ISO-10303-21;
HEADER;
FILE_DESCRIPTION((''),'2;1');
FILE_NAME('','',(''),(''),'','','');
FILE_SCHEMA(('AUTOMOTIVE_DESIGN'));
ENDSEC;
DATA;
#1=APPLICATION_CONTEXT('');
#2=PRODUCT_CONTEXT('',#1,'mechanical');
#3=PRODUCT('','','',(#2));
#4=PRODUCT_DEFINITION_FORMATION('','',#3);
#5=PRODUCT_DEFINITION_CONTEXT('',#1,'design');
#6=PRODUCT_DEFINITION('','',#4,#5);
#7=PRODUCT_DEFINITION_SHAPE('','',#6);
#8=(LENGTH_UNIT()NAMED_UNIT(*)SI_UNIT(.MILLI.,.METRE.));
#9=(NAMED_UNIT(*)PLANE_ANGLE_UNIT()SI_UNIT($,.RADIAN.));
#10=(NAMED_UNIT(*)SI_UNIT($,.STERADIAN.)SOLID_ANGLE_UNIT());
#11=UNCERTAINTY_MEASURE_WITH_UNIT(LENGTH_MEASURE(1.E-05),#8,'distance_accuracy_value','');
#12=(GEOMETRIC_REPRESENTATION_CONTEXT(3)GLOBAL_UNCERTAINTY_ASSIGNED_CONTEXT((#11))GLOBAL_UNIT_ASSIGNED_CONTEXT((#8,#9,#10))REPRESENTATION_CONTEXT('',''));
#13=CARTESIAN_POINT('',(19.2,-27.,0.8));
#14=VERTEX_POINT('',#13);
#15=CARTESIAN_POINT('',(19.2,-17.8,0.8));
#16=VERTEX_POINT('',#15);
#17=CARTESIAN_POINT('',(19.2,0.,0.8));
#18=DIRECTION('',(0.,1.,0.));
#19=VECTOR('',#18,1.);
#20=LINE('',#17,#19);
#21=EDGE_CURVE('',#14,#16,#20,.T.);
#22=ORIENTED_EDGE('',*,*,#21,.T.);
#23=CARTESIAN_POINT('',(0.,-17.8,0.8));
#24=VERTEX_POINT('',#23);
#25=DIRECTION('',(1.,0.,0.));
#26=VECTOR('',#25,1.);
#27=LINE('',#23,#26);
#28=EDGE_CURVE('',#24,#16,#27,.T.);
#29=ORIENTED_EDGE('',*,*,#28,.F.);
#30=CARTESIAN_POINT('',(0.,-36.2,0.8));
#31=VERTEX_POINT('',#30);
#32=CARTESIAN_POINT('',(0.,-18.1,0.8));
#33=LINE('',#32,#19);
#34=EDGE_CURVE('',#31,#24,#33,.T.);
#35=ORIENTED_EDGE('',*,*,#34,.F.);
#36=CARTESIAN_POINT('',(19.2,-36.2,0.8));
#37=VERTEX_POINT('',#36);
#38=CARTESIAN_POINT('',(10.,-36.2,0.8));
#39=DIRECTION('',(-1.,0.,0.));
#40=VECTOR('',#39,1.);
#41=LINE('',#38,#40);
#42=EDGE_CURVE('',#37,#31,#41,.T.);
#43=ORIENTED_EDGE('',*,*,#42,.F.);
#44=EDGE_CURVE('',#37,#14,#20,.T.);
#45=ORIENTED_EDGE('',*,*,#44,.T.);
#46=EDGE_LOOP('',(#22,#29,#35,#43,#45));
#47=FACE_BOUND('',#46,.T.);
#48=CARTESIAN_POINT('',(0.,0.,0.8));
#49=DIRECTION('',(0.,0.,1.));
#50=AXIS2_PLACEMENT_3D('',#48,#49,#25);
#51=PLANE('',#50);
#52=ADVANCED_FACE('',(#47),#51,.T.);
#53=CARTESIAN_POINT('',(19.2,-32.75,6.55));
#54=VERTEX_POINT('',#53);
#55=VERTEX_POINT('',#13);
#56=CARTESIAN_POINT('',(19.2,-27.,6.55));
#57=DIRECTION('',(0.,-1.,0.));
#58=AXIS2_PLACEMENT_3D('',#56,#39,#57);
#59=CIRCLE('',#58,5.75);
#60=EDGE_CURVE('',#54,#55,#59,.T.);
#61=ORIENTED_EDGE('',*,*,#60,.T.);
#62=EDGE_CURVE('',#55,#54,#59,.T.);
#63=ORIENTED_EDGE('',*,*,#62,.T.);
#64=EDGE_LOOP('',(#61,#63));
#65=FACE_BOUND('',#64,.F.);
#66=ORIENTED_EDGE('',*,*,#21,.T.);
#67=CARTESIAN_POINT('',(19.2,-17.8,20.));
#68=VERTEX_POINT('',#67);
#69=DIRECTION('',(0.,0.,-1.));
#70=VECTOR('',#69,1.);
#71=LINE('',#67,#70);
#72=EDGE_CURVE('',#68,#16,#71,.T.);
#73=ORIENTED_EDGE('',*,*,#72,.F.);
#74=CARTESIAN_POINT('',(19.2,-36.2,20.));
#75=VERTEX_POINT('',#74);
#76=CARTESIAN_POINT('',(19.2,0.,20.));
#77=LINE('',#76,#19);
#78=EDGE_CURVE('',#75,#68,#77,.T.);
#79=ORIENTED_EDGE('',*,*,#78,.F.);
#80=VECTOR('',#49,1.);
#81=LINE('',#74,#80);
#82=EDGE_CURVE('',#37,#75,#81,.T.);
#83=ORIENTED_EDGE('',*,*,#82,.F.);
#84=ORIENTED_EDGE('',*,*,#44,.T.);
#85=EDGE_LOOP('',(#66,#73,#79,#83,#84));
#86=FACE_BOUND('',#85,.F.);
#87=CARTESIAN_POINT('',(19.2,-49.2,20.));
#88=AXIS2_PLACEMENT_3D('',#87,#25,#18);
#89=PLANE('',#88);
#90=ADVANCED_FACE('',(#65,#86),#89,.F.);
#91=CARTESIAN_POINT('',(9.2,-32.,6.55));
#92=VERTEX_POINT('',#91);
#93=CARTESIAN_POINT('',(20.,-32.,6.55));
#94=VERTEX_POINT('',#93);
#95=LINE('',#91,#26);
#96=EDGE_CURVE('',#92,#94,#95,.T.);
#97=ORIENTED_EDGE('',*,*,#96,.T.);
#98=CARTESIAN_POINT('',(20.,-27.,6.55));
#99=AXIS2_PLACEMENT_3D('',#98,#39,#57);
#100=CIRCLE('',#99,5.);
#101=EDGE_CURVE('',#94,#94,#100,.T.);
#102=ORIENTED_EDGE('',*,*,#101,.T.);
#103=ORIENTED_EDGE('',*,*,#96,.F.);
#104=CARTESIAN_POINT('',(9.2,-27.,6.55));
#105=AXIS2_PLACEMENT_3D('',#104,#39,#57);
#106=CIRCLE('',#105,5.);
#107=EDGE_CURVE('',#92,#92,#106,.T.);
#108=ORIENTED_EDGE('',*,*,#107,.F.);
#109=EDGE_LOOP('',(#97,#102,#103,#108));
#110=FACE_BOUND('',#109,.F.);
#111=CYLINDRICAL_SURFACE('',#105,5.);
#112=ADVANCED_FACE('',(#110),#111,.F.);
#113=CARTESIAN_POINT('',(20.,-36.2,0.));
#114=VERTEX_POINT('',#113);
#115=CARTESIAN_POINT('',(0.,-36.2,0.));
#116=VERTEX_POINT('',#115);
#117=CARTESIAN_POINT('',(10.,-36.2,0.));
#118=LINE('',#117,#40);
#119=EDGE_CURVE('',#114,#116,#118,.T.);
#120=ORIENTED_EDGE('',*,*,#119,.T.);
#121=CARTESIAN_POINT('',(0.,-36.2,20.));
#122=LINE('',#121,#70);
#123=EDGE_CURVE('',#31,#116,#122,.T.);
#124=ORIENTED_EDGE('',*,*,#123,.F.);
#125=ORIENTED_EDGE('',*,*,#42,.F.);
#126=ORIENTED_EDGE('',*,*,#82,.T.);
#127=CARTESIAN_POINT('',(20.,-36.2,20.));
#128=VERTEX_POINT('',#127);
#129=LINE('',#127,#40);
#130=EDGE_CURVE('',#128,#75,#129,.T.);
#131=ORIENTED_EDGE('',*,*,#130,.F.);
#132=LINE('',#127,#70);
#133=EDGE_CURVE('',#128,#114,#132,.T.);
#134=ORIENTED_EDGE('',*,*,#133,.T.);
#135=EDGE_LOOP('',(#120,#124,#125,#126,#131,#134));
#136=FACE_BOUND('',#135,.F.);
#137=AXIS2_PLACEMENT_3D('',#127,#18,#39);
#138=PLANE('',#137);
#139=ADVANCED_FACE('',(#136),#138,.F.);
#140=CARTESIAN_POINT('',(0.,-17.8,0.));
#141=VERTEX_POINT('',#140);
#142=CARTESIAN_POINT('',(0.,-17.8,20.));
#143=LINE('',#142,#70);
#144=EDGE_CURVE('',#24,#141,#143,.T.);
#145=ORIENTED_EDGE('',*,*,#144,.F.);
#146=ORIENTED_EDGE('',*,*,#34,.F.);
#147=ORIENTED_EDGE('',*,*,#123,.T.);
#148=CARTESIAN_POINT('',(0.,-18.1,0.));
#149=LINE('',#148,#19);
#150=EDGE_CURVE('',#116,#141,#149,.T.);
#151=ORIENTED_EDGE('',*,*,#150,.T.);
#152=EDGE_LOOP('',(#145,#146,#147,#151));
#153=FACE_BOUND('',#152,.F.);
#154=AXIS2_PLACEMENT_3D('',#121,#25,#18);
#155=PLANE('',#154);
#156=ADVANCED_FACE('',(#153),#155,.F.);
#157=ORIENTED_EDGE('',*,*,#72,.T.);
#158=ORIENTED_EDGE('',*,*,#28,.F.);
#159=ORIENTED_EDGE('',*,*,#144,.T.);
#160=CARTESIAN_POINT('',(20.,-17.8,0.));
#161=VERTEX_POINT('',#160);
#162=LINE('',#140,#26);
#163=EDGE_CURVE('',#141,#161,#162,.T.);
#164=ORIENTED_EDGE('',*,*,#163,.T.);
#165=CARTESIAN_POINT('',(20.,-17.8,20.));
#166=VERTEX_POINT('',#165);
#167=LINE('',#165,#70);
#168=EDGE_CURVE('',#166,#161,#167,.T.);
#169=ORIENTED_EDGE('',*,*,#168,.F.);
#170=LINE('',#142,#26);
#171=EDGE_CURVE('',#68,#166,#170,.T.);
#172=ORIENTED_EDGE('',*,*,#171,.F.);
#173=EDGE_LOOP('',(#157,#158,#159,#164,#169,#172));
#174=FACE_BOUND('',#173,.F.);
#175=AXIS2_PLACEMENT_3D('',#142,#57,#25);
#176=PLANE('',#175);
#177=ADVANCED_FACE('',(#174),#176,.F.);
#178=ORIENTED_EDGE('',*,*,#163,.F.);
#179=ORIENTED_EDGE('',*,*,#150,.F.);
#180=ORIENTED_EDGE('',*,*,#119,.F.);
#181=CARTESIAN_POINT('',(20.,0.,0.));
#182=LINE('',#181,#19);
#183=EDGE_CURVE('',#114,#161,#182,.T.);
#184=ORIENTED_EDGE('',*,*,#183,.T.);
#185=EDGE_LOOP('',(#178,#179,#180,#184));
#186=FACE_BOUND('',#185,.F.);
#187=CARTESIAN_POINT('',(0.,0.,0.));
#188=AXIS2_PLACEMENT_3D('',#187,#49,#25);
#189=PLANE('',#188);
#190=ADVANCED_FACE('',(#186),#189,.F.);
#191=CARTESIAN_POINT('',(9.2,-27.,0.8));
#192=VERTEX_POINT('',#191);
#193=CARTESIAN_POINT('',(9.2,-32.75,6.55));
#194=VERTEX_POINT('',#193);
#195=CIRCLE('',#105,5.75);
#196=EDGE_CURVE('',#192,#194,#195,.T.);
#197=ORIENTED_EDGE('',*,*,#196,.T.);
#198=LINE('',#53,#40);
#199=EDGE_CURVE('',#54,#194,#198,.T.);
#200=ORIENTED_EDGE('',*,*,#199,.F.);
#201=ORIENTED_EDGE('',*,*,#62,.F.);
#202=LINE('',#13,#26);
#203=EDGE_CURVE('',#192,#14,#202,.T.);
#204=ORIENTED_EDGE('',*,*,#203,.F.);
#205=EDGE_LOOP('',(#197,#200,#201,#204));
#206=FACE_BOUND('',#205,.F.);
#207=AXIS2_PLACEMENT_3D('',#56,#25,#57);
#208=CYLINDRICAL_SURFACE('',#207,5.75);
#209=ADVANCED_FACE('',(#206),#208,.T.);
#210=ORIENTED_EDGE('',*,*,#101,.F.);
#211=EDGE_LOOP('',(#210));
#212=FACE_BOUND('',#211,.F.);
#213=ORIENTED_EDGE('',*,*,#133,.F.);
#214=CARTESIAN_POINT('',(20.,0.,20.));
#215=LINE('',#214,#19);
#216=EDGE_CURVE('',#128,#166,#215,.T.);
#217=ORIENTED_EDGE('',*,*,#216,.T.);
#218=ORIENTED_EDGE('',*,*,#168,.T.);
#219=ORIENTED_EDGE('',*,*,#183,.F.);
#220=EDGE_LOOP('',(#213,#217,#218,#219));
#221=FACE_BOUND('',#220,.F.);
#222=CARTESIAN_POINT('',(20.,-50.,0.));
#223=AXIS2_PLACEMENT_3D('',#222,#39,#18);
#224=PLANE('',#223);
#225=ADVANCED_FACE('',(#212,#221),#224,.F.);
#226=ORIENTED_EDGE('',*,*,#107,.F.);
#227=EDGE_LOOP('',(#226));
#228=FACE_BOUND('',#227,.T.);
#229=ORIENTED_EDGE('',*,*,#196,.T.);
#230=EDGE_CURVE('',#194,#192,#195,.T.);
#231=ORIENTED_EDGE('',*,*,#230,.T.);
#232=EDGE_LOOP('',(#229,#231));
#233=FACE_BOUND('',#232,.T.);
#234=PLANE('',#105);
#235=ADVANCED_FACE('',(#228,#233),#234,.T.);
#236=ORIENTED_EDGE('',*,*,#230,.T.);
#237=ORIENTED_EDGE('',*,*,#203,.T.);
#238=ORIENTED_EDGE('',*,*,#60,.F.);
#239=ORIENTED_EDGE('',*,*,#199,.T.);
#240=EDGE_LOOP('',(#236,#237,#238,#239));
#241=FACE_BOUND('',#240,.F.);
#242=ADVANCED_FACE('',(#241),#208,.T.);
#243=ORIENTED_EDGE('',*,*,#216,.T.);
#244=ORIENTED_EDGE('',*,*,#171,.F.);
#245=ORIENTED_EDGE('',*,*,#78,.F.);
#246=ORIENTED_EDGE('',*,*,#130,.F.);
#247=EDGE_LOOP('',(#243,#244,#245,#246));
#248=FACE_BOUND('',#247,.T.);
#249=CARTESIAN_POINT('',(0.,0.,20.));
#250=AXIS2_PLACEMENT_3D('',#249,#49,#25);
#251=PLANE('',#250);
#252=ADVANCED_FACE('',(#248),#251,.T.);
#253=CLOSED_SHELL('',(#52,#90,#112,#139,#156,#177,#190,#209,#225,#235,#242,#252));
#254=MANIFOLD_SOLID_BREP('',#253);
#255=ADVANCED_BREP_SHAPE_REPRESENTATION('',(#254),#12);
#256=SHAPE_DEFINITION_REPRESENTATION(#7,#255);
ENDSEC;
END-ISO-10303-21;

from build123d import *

# Parameters (mm, degrees)
SKETCH003_W     = 40
SKETCH003_H     = 100
PAD002_DEPTH    = 20
SKETCH004_W     = 38.4
SKETCH004_H     = 98.4
POCKET001_DEPTH = 19.2
SKETCH006_R     = 5.75
PAD003_DEPTH    = 10
SKETCH009_R     = 5
POCKET004_DEPTH = 10.8
FILLET001_R     = 5
POCKET005_DEPTH = 20.001


with BuildPart() as part:
    # Sketch003 → Pad002 (new body)
    with BuildSketch(Plane.XY):
        Rectangle(SKETCH003_W, SKETCH003_H)
    extrude(amount=PAD002_DEPTH)

    # Sketch004 (on Face6 of Pad002) → Pocket001 (cut)
    with BuildSketch(Plane.XY.offset(20)):
        Rectangle(SKETCH004_W, SKETCH004_H)
    extrude(amount=-POCKET001_DEPTH, mode=Mode.SUBTRACT)

    # Sketch006 (on Face7 of Pocket001) → Pad003 (join)
    with BuildSketch(Plane(origin=(19.2, -2, 0), x_dir=(0, -1, 0), z_dir=(-1, 0, 0))):
        with Locations((25, 6.55)):
            Circle(SKETCH006_R)
    extrude(amount=PAD003_DEPTH)

    # Sketch009 (on Face13 of Pad003) → Pocket004 (cut)
    with BuildSketch(Plane(origin=(9.2, 0, 0), x_dir=(0, -1, 0), z_dir=(-1, 0, 0))):
        with Locations((27, 6.55)):
            Circle(SKETCH009_R)
    extrude(amount=-POCKET004_DEPTH, mode=Mode.SUBTRACT)

    # Fillet001
    fillet001_edges = [part.edges().sort_by_distance(p)[0] for p in [
        (0, 50, 0),
        (0, -50, 0),
        (0, -49.2, 0.8),
        (0, 49.2, 0.8),
    ]]
    fillet(fillet001_edges, radius=FILLET001_R)

    # Sketch010 (on Face4 of Fillet001) → Pocket005 (cut, through all)
    with BuildSketch(Plane.XY.offset(20)):
        Polygon((-20, 50), (-20, -50), (20, -50), (20, -36.2), (0, -36.2), (0, -17.8), (20, -17.8), (20, 50), align=None)
    extrude(amount=-POCKET005_DEPTH, mode=Mode.SUBTRACT)


solid = part.part
